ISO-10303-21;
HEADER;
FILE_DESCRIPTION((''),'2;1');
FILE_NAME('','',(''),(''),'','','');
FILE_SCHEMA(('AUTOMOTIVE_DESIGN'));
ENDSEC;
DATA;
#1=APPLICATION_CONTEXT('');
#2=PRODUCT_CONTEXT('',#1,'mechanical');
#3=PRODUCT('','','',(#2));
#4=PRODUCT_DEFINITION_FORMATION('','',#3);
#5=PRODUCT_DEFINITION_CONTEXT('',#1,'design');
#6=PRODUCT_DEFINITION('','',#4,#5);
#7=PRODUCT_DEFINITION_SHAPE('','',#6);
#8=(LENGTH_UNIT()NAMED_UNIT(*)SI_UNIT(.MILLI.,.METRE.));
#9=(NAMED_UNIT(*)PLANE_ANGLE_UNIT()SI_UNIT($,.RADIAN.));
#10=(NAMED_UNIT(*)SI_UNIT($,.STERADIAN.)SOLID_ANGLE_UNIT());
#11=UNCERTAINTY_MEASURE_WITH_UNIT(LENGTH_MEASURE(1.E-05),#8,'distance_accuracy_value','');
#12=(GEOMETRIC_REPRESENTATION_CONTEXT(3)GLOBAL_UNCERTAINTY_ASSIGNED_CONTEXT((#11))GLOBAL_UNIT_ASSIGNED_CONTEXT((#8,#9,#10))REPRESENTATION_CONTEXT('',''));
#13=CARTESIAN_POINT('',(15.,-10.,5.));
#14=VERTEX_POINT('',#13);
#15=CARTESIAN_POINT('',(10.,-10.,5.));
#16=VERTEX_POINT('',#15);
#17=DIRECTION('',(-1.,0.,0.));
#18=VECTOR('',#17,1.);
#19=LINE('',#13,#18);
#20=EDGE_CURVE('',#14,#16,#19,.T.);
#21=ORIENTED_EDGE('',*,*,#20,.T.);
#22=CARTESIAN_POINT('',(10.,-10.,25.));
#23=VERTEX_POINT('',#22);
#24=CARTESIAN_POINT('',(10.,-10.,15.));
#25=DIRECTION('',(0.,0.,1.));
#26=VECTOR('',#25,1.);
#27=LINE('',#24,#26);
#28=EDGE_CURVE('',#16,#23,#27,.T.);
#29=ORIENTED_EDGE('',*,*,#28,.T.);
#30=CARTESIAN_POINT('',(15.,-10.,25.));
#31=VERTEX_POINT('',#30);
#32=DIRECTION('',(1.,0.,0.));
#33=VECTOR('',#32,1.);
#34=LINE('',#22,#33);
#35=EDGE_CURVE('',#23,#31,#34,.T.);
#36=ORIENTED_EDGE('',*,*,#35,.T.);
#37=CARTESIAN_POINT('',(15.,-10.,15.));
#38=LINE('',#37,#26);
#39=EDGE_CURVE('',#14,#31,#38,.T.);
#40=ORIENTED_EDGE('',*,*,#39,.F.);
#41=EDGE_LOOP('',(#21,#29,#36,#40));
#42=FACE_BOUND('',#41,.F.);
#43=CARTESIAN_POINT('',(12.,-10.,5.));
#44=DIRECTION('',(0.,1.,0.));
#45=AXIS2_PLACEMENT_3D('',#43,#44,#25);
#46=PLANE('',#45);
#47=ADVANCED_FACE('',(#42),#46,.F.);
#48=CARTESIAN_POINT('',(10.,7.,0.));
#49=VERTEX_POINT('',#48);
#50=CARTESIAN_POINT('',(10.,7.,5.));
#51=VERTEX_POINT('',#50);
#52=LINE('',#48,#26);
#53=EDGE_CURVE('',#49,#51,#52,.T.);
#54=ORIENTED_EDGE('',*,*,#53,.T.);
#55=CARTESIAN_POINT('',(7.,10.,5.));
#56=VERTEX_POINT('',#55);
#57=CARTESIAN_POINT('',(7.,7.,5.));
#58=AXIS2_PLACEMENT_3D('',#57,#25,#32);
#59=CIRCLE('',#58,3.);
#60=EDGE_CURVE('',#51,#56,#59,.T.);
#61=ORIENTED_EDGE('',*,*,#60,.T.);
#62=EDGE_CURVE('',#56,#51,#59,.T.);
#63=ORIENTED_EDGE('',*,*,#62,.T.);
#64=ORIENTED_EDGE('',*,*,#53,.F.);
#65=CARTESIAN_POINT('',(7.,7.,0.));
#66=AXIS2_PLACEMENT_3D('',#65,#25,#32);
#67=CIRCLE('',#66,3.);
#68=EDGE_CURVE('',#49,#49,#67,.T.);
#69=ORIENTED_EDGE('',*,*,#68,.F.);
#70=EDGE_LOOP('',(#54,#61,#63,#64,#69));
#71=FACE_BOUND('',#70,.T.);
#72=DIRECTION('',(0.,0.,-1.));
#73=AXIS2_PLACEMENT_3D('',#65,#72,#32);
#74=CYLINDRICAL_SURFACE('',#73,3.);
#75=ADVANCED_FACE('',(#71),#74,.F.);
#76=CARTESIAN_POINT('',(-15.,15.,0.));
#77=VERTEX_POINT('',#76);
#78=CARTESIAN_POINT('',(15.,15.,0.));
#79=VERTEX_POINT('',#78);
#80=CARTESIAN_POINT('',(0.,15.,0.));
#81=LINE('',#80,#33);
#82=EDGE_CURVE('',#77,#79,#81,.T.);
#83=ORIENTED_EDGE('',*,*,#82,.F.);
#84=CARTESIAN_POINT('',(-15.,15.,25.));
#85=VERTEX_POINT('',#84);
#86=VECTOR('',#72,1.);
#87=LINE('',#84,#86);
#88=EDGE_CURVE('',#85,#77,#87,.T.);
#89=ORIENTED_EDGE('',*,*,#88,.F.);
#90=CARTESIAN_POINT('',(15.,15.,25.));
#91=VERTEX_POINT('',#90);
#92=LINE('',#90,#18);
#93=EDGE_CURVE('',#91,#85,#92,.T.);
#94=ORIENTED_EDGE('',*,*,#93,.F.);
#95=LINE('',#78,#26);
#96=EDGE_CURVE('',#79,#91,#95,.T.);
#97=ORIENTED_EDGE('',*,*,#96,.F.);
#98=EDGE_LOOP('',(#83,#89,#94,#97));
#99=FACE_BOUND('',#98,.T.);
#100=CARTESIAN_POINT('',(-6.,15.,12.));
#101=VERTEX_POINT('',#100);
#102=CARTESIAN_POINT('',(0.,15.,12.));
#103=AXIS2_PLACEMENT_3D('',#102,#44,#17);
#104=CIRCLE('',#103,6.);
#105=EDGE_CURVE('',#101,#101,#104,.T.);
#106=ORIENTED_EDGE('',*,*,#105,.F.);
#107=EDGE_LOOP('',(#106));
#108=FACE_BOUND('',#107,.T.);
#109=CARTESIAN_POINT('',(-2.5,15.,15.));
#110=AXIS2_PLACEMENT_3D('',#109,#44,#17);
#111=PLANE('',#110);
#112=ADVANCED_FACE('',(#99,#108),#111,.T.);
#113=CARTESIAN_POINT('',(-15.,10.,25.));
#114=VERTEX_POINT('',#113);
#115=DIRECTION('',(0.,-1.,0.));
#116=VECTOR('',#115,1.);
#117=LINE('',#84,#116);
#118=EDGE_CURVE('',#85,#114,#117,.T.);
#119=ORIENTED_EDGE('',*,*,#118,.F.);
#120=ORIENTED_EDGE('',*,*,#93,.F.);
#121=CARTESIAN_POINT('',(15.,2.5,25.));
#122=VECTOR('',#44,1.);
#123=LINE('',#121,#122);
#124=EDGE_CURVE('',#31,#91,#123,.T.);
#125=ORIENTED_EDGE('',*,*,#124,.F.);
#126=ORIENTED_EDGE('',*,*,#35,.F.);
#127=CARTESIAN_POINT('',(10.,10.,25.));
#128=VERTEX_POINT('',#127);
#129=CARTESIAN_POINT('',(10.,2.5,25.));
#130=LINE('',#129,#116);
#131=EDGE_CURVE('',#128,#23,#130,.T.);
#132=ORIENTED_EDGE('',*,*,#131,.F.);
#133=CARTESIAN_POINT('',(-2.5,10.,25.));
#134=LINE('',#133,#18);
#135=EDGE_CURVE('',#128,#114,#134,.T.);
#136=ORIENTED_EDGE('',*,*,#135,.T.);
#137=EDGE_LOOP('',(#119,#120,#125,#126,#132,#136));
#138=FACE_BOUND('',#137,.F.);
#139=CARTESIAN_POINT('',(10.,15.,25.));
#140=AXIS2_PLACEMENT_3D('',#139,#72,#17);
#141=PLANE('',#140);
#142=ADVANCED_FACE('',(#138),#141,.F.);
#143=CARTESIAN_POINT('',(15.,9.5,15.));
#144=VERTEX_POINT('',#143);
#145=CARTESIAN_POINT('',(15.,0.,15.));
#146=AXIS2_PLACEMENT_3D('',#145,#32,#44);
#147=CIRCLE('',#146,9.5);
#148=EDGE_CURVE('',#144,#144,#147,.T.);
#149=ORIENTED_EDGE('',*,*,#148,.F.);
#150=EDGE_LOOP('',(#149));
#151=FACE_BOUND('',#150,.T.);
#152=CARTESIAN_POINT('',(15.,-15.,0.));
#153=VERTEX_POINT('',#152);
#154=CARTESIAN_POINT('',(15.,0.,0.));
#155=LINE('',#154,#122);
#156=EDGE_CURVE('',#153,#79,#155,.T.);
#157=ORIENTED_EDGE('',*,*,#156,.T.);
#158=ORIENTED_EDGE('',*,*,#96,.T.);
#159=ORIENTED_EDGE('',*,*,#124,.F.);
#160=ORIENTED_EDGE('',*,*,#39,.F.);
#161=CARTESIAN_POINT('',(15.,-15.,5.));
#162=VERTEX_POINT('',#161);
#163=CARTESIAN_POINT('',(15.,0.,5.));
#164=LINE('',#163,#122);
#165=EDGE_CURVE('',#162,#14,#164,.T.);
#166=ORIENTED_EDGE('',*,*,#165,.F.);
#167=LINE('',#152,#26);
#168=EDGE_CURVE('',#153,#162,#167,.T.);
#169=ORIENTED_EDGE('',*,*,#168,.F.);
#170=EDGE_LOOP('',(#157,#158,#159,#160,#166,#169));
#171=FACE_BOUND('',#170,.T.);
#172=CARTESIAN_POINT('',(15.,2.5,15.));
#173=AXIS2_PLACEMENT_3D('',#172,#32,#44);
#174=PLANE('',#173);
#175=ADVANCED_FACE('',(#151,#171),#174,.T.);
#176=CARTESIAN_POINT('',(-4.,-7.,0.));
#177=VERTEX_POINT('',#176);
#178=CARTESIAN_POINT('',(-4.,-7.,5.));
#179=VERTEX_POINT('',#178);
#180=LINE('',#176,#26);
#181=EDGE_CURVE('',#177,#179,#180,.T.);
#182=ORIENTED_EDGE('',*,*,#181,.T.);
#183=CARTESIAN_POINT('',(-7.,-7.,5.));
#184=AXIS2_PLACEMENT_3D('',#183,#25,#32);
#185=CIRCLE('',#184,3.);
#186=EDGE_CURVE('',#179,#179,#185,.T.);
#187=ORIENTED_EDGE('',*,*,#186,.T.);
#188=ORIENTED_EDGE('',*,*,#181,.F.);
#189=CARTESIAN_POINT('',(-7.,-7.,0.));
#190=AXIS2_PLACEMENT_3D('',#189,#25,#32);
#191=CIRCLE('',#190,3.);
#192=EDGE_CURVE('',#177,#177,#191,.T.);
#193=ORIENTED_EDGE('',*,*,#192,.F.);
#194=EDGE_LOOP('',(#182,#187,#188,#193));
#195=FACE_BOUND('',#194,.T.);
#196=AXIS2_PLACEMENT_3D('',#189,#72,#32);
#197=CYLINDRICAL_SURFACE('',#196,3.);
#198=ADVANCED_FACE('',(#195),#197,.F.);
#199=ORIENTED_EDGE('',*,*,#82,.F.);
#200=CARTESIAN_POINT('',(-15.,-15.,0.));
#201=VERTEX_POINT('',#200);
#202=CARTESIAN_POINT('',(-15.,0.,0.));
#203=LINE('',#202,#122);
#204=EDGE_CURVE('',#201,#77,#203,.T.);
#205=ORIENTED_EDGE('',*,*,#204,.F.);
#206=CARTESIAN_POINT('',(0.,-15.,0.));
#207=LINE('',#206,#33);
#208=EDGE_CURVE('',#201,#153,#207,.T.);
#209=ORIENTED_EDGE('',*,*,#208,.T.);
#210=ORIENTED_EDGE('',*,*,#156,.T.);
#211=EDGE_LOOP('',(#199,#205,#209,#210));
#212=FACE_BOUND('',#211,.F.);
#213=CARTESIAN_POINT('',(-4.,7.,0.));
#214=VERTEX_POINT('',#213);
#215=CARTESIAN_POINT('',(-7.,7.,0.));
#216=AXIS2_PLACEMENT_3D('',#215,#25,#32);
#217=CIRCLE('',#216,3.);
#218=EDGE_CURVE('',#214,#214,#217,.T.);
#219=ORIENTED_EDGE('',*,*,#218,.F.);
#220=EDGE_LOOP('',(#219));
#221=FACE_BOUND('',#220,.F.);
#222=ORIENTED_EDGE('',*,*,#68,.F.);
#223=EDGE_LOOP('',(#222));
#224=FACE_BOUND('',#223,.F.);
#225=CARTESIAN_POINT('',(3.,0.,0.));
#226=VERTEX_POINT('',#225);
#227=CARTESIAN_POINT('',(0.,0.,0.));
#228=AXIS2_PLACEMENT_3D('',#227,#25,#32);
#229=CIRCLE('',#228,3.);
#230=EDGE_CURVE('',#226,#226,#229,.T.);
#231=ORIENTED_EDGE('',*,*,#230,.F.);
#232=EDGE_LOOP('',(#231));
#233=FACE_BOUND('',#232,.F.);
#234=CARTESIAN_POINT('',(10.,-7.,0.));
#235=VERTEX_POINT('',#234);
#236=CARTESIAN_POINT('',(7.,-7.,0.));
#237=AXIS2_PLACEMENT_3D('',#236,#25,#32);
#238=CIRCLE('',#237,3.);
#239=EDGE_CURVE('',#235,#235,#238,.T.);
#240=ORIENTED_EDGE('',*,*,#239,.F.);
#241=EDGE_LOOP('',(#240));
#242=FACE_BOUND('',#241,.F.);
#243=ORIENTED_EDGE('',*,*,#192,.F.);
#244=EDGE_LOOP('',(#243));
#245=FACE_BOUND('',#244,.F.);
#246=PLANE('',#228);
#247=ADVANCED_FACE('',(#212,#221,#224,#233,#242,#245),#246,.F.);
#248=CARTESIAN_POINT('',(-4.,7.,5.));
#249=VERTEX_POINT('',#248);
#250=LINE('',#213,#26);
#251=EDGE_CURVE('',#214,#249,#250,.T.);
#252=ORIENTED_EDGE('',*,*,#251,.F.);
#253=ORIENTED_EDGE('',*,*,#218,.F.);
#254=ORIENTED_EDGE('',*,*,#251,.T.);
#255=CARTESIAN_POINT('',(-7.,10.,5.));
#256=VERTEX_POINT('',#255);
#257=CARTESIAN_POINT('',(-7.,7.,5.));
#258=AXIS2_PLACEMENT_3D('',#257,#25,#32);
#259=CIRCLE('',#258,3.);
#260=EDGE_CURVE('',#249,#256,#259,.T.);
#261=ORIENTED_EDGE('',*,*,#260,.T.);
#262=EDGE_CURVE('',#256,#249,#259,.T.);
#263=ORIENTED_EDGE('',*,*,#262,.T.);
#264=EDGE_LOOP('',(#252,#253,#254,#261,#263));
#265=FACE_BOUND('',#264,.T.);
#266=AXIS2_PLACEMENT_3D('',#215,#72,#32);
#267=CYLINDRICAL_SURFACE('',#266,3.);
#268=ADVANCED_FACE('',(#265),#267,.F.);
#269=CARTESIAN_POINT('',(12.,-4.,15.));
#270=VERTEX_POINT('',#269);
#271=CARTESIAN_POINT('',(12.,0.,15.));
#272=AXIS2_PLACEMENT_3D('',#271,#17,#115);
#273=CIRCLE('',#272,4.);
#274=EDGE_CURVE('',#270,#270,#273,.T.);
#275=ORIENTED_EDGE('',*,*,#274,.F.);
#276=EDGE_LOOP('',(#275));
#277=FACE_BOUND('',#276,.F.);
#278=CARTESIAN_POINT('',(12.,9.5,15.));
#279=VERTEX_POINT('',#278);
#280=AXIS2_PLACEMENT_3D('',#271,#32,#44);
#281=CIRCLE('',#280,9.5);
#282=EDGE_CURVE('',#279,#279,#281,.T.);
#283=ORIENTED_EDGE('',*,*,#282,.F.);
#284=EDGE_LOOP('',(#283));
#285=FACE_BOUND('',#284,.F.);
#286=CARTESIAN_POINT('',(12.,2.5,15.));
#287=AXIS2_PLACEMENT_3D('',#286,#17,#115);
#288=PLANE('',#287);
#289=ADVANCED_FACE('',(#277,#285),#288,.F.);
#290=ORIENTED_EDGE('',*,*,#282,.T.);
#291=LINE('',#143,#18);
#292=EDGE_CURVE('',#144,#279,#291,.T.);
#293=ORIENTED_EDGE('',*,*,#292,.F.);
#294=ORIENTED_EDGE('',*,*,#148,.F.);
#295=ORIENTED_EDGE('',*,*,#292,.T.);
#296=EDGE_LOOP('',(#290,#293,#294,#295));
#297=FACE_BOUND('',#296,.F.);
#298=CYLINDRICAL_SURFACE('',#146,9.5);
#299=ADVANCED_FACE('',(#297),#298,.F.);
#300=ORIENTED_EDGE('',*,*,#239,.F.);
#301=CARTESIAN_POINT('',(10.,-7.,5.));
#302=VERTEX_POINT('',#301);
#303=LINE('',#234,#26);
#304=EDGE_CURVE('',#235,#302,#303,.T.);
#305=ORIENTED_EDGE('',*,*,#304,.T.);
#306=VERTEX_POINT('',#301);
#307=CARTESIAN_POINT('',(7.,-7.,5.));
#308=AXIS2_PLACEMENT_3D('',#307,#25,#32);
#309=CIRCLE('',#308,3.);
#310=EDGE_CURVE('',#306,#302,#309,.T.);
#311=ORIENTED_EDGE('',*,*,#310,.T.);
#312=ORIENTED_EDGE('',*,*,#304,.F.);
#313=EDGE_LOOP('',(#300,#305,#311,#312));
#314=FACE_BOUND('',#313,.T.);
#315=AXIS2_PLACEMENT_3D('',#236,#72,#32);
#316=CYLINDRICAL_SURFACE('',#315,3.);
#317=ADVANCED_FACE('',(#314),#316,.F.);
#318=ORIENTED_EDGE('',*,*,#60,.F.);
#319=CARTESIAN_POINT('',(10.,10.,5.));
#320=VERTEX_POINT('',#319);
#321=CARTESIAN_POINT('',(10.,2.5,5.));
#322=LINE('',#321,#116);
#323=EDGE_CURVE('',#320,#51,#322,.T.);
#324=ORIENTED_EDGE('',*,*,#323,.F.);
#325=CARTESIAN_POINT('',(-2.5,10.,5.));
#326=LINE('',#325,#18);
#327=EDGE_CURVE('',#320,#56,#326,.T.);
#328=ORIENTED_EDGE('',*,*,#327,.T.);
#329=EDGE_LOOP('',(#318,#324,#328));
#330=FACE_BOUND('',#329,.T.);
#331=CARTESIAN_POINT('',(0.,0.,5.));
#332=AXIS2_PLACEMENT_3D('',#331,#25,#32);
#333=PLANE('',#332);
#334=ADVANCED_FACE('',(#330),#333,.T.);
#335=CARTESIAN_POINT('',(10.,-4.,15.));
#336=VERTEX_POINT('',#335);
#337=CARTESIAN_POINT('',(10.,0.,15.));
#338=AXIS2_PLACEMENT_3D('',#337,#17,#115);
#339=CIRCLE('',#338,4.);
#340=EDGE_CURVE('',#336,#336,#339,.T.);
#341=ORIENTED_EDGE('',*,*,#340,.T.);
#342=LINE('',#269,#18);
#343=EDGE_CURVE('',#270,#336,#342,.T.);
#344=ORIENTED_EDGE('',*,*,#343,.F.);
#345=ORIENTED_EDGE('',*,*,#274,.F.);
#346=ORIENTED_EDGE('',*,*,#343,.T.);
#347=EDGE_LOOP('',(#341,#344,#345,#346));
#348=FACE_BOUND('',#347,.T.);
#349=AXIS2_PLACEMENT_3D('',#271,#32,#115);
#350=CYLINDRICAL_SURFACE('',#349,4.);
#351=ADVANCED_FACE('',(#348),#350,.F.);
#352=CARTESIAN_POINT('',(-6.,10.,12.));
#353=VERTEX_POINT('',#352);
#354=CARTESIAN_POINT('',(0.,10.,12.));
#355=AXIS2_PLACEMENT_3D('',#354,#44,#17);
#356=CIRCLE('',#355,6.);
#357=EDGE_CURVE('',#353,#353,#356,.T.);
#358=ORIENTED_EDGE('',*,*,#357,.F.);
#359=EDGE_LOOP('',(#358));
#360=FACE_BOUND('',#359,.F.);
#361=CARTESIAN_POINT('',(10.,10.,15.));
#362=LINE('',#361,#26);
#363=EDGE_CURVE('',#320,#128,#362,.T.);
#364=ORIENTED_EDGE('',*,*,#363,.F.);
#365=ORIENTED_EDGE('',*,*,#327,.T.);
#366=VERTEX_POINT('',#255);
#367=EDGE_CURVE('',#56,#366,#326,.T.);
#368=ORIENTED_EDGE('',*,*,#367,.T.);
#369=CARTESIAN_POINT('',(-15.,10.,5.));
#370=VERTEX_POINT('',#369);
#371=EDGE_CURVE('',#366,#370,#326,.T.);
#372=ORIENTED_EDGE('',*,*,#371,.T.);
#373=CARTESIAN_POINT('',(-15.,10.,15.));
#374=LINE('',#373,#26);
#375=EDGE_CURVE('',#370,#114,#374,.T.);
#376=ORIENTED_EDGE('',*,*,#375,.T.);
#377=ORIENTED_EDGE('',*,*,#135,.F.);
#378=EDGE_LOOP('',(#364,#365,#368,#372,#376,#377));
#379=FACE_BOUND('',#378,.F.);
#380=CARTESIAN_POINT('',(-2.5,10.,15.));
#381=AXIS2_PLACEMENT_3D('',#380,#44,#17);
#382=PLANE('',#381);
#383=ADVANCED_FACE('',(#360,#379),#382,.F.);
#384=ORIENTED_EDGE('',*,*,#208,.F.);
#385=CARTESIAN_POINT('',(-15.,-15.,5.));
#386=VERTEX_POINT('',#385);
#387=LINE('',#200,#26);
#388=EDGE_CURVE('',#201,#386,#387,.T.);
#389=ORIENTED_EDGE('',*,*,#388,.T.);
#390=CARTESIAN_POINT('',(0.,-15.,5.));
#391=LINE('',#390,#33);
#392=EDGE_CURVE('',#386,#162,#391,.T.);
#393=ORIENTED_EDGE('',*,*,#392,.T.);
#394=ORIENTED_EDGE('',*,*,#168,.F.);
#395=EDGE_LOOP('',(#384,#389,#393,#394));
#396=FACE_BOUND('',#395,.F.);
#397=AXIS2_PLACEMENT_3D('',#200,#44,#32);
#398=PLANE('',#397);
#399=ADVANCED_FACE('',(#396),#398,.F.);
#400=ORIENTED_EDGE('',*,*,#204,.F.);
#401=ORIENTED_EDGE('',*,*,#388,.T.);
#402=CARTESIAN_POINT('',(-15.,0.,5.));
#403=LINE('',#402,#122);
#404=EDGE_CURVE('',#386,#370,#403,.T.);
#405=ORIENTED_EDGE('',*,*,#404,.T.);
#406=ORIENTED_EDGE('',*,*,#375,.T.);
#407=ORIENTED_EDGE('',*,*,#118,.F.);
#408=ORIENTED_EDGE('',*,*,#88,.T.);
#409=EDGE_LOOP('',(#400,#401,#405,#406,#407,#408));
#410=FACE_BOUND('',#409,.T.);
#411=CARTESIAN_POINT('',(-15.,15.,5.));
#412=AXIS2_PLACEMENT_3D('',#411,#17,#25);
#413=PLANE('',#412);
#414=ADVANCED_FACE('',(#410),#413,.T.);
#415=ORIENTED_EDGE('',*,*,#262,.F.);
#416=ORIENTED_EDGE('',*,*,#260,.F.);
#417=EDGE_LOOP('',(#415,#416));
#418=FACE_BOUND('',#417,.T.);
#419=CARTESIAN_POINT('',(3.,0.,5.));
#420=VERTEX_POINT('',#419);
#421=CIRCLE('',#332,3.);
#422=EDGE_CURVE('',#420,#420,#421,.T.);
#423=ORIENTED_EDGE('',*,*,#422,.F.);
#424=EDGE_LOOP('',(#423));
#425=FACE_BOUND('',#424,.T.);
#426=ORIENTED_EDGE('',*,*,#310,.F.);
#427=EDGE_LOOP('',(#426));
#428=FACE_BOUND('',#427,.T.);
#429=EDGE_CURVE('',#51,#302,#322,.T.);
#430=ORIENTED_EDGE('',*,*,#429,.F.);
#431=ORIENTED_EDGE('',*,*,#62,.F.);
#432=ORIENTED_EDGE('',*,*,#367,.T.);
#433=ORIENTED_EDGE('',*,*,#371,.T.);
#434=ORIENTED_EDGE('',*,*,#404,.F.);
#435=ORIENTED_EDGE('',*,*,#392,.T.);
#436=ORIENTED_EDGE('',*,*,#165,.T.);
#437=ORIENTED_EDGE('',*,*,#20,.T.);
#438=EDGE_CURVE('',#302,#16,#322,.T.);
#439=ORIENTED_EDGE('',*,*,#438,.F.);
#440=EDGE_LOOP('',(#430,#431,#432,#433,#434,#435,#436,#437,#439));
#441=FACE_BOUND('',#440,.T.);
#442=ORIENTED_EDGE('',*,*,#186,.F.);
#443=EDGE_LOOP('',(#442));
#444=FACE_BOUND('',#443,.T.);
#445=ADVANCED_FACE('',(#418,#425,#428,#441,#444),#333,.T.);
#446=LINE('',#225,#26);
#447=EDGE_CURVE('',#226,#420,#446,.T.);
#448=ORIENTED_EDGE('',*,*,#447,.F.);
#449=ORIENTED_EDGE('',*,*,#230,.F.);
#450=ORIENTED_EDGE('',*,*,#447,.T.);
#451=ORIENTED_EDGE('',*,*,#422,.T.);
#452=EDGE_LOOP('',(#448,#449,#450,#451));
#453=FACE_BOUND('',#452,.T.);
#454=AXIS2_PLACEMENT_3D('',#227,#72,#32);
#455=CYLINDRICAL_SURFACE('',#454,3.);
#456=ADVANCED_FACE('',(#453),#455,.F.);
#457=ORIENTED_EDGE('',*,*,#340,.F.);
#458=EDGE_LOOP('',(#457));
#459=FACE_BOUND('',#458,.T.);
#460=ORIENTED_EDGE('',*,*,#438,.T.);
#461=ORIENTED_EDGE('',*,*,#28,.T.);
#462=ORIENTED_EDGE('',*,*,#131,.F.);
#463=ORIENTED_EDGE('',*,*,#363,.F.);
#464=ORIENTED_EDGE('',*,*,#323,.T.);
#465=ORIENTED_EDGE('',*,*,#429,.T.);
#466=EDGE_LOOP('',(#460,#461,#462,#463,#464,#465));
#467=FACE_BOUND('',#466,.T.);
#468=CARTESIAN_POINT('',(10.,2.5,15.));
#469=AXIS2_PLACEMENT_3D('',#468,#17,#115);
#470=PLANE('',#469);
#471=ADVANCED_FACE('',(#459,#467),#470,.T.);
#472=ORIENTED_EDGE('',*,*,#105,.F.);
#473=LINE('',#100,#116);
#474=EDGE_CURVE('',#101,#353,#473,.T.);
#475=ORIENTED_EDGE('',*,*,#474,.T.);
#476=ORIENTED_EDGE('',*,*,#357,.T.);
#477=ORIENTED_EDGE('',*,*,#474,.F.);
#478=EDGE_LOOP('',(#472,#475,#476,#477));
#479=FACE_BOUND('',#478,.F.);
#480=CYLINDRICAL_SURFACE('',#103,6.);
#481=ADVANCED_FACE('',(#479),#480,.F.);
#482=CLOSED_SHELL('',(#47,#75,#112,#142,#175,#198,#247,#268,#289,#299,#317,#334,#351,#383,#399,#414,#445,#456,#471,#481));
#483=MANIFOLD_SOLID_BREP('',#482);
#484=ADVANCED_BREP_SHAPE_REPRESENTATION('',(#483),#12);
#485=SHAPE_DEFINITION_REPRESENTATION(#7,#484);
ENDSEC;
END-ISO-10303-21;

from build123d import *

# Parameters (mm, degrees)
F0_W     = 30
F0_H     = 30
F0_R     = 3
F1_DEPTH = 5
F2_W     = 25
F2_H     = 20
F2_R     = 9.5
F3_DEPTH = 3
F4_W     = 25
F4_H     = 20
F4_R     = 4
F5_DEPTH = 2
F6_W     = 25
F6_H     = 20
F6_R     = 6
F7_DEPTH = 5


with BuildPart() as f1:
    # F0 (on Top) → F1 (new body)
    with BuildSketch(Plane.XY):
        Rectangle(F0_W, F0_H)
        with Locations((-7, -7)):
            Circle(F0_R, mode=Mode.SUBTRACT)
        with Locations((7, -7)):
            Circle(F0_R, mode=Mode.SUBTRACT)
        with Locations((-7, 7)):
            Circle(F0_R, mode=Mode.SUBTRACT)
        Circle(F0_R, mode=Mode.SUBTRACT)
        with Locations((7, 7)):
            Circle(F0_R, mode=Mode.SUBTRACT)
    extrude(amount=F1_DEPTH)

    # F2 (on face) → F3 (join)
    with BuildSketch(Plane.YZ.offset(15)):
        with Locations((2.5, 15)):
            Rectangle(F2_W, F2_H)
        with Locations((0, 15)):
            Circle(F2_R, mode=Mode.SUBTRACT)
    extrude(amount=-F3_DEPTH)

    # F4 (on face) → F5 (join)
    with BuildSketch(Plane(origin=(12, 0, 0), x_dir=(0, -1, 0), z_dir=(-1, 0, 0))):
        with Locations((-2.5, 15)):
            Rectangle(F4_W, F4_H)
        with Locations((0, 15)):
            Circle(F4_R, mode=Mode.SUBTRACT)
    extrude(amount=F5_DEPTH)

    # F6 (on face) → F7 (join)
    with BuildSketch(Plane(origin=(0, 15, 0), x_dir=(-1, 0, 0), z_dir=(0, 1, 0))):
        with Locations((2.5, 15)):
            Rectangle(F6_W, F6_H)
        with Locations((0, 12)):
            Circle(F6_R, mode=Mode.SUBTRACT)
    extrude(amount=-F7_DEPTH)


solid = f1.part
